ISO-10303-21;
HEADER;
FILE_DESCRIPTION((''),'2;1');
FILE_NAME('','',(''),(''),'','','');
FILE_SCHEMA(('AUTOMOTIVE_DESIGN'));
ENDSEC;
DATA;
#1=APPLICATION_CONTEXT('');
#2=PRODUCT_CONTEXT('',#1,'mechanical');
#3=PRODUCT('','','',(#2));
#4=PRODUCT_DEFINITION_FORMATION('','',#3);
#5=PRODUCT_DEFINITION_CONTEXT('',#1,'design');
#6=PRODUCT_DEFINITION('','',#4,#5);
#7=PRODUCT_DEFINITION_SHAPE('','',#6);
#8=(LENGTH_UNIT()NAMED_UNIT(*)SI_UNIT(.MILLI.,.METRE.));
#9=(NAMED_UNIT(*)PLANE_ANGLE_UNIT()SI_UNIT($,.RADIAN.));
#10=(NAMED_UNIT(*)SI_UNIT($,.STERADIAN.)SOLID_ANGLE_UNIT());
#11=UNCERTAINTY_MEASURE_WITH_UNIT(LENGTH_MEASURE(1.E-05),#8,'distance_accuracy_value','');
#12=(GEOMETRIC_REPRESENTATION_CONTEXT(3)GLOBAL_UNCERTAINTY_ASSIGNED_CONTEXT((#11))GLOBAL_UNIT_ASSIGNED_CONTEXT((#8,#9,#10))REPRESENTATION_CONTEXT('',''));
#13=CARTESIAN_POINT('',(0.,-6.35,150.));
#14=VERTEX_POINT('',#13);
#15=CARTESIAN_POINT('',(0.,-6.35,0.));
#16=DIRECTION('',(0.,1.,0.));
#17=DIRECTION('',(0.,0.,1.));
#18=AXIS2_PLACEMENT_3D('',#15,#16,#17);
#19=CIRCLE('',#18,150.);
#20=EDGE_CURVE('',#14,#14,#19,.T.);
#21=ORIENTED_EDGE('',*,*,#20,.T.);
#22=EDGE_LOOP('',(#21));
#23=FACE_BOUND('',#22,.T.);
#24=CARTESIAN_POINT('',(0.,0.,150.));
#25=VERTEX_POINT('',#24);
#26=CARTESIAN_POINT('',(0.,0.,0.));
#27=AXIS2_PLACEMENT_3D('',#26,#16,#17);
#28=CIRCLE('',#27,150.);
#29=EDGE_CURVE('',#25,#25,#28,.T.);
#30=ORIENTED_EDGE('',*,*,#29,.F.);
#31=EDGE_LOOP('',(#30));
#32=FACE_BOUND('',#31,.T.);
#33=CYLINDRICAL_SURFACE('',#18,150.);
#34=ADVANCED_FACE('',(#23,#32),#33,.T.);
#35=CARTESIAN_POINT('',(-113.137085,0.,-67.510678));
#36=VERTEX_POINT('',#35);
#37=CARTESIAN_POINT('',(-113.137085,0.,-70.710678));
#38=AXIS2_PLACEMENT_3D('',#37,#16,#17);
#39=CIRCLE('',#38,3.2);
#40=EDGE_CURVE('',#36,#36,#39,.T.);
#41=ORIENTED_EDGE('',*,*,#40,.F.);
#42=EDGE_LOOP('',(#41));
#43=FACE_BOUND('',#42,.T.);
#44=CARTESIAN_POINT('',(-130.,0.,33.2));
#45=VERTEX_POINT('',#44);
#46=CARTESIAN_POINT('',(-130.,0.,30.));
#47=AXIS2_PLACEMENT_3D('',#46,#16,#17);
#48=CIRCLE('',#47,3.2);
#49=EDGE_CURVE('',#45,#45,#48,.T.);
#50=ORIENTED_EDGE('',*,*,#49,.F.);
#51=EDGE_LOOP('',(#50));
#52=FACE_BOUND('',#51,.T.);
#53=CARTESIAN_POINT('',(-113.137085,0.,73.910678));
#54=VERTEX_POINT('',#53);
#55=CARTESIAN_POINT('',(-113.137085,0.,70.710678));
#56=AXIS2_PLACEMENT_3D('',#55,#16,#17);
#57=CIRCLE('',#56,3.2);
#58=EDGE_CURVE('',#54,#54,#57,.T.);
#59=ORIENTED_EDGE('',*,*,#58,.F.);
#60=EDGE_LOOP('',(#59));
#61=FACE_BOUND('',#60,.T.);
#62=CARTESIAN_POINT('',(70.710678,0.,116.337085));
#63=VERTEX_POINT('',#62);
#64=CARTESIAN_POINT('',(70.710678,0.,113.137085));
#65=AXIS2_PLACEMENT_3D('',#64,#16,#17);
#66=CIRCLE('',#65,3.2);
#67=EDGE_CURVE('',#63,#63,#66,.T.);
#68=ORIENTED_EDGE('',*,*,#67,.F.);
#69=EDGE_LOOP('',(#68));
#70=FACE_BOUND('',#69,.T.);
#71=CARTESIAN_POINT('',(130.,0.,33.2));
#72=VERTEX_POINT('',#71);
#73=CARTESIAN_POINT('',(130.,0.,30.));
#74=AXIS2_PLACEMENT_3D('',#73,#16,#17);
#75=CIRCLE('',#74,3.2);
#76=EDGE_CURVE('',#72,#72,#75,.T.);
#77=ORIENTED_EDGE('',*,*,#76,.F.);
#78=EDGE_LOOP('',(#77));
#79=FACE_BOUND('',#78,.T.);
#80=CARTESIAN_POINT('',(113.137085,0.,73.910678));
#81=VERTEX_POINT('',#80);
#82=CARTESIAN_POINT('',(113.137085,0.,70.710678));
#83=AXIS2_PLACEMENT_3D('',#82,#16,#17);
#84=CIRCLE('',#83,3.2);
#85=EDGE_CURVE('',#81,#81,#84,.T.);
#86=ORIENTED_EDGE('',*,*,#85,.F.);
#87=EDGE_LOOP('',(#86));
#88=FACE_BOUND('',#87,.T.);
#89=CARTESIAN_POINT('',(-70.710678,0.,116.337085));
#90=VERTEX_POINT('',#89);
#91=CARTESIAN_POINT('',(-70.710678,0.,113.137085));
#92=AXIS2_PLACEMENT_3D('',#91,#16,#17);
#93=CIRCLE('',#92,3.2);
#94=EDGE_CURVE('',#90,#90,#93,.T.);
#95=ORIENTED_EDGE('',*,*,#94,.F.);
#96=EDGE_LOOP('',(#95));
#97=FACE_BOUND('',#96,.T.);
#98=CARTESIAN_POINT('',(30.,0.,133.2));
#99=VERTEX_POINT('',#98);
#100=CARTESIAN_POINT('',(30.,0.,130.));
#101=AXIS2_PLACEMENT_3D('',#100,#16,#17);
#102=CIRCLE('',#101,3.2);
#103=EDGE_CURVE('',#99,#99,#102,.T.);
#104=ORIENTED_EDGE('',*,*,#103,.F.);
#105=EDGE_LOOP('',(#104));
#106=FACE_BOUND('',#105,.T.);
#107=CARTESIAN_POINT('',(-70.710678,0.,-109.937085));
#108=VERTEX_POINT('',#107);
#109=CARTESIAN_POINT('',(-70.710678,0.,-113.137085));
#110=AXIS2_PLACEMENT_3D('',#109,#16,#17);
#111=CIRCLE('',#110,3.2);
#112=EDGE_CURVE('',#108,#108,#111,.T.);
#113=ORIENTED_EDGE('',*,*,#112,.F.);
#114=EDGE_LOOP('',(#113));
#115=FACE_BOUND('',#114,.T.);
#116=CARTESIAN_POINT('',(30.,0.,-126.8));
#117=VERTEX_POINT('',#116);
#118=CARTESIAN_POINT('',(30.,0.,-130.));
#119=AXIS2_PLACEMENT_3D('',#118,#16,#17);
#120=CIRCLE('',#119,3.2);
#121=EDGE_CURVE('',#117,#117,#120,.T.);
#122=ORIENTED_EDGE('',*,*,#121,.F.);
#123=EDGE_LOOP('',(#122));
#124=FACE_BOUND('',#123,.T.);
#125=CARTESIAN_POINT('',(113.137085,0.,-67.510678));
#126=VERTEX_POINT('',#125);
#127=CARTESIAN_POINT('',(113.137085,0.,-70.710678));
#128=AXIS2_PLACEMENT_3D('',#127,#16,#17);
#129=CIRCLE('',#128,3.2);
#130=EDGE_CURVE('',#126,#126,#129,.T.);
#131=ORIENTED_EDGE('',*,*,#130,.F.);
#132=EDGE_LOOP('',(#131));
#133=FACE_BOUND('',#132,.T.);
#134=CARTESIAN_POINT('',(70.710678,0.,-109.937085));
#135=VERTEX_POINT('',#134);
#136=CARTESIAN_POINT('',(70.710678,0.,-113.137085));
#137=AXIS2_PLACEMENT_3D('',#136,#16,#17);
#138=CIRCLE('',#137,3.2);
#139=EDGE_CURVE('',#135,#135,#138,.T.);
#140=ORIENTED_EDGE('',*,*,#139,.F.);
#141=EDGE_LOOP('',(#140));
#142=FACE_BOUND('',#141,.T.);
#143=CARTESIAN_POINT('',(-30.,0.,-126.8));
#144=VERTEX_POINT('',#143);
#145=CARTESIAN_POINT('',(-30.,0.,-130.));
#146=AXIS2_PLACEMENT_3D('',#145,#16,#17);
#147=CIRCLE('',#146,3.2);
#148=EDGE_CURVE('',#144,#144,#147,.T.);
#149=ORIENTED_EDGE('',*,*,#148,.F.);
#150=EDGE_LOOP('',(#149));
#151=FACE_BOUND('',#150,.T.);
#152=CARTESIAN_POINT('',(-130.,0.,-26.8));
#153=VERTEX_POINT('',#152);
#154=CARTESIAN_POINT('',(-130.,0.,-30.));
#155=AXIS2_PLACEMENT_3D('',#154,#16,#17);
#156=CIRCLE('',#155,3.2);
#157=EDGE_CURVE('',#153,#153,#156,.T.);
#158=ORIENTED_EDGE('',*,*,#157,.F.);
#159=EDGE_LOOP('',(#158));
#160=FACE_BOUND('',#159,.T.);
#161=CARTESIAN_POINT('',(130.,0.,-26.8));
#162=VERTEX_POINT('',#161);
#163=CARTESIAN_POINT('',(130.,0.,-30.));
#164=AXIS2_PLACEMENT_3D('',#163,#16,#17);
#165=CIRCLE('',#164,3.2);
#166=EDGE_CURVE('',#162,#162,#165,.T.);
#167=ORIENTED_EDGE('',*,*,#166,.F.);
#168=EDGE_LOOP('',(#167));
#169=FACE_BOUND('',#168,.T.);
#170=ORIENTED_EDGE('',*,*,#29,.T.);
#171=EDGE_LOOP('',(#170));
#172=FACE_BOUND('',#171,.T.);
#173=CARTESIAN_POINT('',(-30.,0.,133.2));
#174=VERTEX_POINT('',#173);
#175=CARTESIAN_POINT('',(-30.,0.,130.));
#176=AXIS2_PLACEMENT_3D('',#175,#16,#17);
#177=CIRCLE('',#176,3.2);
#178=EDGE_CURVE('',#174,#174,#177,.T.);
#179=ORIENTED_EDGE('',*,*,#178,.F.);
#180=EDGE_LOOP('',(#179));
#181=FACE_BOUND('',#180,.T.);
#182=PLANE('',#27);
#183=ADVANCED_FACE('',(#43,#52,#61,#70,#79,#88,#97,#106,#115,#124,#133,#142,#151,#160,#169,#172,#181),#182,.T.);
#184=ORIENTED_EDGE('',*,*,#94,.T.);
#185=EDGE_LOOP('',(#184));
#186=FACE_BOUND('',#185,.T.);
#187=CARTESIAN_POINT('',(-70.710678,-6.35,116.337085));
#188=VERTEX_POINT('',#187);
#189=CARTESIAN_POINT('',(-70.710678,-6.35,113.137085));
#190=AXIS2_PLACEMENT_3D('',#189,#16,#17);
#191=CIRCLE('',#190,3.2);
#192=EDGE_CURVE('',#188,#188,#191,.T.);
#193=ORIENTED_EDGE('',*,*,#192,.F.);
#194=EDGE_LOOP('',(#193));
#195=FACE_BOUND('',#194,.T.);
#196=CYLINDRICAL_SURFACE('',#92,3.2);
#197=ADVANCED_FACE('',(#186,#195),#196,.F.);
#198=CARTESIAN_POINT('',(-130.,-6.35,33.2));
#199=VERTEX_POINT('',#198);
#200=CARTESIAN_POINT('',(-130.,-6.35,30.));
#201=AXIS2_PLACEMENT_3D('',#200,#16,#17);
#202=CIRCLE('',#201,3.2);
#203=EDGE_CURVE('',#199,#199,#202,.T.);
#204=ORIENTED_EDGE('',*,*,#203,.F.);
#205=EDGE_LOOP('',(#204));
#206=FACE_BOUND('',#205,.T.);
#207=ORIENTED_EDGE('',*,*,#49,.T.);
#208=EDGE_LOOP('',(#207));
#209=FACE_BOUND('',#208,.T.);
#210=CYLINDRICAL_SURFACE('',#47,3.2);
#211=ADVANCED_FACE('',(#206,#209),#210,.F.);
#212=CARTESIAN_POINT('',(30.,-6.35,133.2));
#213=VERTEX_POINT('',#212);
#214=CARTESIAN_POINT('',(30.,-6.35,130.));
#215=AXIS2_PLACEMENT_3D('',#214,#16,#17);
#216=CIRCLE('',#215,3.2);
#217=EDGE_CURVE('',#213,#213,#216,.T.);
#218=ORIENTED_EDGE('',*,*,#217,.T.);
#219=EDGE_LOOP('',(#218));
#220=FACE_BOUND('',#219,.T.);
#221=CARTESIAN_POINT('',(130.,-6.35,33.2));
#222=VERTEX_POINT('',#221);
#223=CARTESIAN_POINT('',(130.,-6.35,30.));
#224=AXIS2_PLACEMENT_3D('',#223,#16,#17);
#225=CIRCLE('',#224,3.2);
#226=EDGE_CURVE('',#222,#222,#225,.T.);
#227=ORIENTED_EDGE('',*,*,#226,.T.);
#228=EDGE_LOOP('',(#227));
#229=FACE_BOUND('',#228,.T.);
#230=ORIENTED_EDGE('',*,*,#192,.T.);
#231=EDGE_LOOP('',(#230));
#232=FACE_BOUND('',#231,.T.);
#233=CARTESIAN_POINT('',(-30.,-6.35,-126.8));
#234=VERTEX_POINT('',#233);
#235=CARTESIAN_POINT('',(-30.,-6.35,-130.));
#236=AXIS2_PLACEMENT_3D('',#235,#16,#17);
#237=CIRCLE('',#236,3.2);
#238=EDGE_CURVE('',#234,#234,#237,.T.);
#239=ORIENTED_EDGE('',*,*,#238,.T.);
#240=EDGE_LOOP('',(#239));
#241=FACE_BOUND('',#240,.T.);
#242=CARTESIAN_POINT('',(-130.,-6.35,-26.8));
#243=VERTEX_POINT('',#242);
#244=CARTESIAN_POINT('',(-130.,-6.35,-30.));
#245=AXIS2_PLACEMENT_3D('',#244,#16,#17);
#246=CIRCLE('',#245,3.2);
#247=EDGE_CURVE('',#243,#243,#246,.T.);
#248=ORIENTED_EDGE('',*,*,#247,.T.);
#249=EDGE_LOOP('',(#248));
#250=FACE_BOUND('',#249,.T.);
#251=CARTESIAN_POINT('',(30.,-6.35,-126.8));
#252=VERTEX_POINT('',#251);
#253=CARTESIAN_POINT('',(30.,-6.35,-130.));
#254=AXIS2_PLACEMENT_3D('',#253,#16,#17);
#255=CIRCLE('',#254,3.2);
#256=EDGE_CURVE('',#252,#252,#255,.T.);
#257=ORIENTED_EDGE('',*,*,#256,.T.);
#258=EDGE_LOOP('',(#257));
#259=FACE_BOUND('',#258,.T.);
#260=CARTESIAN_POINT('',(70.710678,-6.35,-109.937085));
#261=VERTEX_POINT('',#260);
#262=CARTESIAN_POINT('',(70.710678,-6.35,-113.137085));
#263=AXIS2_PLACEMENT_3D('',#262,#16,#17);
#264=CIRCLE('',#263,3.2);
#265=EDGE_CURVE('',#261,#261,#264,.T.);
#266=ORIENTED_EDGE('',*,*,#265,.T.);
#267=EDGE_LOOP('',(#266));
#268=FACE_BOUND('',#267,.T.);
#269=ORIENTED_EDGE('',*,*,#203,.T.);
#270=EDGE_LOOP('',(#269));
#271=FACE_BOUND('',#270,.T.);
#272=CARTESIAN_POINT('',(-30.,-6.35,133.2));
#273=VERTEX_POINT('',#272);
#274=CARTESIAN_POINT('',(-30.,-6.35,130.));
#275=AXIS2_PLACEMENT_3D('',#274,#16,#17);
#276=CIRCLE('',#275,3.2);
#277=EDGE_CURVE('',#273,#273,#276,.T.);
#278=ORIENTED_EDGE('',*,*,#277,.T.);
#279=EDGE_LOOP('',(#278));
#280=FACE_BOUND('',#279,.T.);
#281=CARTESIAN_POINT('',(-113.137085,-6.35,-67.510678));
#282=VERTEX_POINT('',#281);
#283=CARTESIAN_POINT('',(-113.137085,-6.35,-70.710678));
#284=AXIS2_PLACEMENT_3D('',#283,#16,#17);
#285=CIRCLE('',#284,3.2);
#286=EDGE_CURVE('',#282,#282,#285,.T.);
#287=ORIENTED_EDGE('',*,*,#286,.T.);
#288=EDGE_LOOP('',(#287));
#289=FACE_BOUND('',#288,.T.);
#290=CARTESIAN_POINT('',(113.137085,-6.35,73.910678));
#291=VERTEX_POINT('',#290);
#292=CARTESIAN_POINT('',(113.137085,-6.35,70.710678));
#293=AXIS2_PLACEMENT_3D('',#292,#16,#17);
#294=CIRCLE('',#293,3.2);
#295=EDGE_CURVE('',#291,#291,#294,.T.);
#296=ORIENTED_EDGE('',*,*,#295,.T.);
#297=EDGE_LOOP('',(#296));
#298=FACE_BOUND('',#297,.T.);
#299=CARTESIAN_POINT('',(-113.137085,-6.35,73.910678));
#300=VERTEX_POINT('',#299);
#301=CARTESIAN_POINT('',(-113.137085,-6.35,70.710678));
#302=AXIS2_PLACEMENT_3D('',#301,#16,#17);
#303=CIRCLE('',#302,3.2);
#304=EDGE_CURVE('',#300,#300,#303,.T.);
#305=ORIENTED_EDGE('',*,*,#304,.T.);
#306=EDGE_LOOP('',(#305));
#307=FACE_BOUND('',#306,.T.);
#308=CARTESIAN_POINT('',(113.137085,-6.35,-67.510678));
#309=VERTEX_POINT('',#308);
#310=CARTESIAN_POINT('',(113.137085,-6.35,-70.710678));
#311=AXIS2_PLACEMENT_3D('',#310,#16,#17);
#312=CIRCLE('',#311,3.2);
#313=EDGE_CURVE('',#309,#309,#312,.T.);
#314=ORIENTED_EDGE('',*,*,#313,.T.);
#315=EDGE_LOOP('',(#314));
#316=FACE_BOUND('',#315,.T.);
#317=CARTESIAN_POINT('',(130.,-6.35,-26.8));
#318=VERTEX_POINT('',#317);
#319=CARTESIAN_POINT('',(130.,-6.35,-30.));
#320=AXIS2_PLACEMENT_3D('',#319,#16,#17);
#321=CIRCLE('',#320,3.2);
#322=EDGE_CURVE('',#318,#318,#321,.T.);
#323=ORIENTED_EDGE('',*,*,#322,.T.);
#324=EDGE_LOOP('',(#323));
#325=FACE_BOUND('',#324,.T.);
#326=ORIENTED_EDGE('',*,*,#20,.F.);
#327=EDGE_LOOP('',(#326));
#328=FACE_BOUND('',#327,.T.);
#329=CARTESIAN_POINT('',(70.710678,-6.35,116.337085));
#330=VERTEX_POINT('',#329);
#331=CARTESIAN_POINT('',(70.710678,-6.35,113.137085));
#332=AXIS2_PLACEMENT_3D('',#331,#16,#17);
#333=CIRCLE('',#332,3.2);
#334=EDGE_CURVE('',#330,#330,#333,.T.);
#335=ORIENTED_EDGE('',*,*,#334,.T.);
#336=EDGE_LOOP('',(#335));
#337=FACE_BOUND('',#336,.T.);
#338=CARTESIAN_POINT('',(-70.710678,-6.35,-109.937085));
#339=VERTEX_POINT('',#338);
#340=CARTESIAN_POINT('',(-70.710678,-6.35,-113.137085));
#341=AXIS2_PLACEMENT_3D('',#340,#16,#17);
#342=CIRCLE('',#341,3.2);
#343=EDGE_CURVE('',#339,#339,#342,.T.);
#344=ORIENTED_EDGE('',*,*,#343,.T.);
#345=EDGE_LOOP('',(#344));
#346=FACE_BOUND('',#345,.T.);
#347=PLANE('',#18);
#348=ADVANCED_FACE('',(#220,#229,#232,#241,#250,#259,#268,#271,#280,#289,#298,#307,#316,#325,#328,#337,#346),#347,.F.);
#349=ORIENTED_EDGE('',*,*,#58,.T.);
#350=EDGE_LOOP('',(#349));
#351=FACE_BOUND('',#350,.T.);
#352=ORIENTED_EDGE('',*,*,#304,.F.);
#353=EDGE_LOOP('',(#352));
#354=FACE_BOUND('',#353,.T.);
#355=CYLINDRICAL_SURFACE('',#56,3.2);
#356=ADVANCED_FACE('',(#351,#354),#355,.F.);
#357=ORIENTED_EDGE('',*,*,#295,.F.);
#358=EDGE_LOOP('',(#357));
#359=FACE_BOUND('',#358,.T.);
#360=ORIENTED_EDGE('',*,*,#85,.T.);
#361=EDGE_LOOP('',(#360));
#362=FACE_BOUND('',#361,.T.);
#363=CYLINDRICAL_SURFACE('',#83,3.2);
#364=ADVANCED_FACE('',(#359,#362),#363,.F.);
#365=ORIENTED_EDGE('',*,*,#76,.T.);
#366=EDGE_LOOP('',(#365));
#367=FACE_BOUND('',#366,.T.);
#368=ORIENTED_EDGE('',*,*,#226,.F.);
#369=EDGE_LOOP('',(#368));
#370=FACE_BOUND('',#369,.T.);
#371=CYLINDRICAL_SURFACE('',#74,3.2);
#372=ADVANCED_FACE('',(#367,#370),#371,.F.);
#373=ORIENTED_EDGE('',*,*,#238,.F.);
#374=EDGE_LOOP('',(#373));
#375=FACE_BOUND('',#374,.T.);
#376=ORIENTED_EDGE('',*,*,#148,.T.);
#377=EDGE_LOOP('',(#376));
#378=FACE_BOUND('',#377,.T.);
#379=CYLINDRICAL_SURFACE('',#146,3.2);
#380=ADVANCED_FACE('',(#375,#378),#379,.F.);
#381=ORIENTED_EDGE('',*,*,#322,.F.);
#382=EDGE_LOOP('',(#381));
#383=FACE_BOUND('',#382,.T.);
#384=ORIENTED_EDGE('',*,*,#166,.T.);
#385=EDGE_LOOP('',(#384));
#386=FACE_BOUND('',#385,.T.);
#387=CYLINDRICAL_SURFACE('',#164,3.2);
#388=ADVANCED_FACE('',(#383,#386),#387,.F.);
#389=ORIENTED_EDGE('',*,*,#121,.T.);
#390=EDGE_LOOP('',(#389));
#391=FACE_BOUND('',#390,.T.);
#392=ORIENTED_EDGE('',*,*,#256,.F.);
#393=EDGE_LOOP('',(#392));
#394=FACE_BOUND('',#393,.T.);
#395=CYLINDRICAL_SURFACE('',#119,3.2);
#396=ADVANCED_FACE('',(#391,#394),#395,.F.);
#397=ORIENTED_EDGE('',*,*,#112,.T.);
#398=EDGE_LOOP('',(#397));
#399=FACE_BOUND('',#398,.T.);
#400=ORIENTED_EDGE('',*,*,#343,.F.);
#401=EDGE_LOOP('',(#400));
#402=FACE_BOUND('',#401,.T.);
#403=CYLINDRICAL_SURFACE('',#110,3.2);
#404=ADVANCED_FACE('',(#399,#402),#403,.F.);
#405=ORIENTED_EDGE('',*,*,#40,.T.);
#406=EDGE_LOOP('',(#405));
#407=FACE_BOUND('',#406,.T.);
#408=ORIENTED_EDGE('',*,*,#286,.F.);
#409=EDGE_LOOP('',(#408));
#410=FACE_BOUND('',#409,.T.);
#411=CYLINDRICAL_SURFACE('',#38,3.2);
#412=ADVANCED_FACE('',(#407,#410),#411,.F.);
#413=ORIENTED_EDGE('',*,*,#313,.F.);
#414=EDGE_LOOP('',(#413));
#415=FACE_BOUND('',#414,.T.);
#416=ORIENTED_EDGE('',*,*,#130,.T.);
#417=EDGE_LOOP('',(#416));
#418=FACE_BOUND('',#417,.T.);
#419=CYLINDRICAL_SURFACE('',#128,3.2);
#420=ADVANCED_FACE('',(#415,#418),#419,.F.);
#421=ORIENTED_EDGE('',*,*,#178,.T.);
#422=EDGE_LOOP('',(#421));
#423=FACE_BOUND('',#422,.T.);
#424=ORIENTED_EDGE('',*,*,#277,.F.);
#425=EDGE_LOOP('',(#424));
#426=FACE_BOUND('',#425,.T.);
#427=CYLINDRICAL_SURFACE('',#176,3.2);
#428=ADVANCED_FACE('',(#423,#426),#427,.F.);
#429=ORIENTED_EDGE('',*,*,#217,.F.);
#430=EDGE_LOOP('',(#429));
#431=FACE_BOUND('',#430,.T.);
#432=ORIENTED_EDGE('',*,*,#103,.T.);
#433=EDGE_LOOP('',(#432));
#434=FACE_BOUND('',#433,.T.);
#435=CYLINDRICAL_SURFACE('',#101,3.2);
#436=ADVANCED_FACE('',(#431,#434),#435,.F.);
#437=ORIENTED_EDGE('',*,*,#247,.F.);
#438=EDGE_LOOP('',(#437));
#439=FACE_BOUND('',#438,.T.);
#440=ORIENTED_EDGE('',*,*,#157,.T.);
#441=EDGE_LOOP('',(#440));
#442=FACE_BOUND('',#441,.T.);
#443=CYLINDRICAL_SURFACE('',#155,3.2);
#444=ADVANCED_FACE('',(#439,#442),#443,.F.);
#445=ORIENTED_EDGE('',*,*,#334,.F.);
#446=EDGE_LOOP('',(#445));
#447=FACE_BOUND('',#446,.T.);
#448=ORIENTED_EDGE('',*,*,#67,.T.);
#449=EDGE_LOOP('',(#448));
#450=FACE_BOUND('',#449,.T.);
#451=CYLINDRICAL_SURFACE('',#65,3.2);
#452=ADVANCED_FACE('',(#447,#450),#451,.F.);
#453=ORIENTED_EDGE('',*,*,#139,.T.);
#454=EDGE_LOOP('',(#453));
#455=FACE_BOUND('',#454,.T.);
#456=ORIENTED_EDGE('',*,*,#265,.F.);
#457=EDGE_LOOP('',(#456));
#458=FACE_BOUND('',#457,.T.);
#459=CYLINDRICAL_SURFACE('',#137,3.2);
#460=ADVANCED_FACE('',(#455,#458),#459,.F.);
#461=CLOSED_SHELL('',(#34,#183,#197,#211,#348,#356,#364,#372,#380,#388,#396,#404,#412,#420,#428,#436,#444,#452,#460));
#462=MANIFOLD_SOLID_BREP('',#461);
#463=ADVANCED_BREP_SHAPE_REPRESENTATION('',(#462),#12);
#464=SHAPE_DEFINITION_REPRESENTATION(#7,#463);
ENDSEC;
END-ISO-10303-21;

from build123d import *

# Parameters (mm, degrees)
SKETCH1_R            = 150
BOSS_EXTRUDE1_DEPTH  = 6.35
M6_CLEARANCE_HOLE1_D = 6.4
CIRPATTERN1_COUNT    = 8


with BuildPart() as part:
    # Sketch1 → Boss-Extrude1 (new body)
    with BuildSketch(Plane(origin=(0, 0, 0), x_dir=(1, 0, 0), z_dir=(0, 1, 0))):
        with Locations(Location((0, 0, 0), (0, 0, 270))):
            Circle(SKETCH1_R)
    extrude(amount=-BOSS_EXTRUDE1_DEPTH)

    # M6 Clearance Hole1 (through all)
    with Locations(Plane(origin=(-30, 0, -130), x_dir=(0, 0, 1), z_dir=(0, 1, 0))):
        with Locations((0, 0), (0, 60)):
            m6_clearance_hole1 = Hole(M6_CLEARANCE_HOLE1_D / 2)

    # CirPattern1: M6 Clearance Hole1 ×8 about axis
    cirpattern1_axis = Axis((0, 0, 0), (0, 1, 0))
    for i in range(1, CIRPATTERN1_COUNT):
        add(m6_clearance_hole1.rotate(cirpattern1_axis, i * 360 / CIRPATTERN1_COUNT), mode=Mode.SUBTRACT)


solid = part.part
